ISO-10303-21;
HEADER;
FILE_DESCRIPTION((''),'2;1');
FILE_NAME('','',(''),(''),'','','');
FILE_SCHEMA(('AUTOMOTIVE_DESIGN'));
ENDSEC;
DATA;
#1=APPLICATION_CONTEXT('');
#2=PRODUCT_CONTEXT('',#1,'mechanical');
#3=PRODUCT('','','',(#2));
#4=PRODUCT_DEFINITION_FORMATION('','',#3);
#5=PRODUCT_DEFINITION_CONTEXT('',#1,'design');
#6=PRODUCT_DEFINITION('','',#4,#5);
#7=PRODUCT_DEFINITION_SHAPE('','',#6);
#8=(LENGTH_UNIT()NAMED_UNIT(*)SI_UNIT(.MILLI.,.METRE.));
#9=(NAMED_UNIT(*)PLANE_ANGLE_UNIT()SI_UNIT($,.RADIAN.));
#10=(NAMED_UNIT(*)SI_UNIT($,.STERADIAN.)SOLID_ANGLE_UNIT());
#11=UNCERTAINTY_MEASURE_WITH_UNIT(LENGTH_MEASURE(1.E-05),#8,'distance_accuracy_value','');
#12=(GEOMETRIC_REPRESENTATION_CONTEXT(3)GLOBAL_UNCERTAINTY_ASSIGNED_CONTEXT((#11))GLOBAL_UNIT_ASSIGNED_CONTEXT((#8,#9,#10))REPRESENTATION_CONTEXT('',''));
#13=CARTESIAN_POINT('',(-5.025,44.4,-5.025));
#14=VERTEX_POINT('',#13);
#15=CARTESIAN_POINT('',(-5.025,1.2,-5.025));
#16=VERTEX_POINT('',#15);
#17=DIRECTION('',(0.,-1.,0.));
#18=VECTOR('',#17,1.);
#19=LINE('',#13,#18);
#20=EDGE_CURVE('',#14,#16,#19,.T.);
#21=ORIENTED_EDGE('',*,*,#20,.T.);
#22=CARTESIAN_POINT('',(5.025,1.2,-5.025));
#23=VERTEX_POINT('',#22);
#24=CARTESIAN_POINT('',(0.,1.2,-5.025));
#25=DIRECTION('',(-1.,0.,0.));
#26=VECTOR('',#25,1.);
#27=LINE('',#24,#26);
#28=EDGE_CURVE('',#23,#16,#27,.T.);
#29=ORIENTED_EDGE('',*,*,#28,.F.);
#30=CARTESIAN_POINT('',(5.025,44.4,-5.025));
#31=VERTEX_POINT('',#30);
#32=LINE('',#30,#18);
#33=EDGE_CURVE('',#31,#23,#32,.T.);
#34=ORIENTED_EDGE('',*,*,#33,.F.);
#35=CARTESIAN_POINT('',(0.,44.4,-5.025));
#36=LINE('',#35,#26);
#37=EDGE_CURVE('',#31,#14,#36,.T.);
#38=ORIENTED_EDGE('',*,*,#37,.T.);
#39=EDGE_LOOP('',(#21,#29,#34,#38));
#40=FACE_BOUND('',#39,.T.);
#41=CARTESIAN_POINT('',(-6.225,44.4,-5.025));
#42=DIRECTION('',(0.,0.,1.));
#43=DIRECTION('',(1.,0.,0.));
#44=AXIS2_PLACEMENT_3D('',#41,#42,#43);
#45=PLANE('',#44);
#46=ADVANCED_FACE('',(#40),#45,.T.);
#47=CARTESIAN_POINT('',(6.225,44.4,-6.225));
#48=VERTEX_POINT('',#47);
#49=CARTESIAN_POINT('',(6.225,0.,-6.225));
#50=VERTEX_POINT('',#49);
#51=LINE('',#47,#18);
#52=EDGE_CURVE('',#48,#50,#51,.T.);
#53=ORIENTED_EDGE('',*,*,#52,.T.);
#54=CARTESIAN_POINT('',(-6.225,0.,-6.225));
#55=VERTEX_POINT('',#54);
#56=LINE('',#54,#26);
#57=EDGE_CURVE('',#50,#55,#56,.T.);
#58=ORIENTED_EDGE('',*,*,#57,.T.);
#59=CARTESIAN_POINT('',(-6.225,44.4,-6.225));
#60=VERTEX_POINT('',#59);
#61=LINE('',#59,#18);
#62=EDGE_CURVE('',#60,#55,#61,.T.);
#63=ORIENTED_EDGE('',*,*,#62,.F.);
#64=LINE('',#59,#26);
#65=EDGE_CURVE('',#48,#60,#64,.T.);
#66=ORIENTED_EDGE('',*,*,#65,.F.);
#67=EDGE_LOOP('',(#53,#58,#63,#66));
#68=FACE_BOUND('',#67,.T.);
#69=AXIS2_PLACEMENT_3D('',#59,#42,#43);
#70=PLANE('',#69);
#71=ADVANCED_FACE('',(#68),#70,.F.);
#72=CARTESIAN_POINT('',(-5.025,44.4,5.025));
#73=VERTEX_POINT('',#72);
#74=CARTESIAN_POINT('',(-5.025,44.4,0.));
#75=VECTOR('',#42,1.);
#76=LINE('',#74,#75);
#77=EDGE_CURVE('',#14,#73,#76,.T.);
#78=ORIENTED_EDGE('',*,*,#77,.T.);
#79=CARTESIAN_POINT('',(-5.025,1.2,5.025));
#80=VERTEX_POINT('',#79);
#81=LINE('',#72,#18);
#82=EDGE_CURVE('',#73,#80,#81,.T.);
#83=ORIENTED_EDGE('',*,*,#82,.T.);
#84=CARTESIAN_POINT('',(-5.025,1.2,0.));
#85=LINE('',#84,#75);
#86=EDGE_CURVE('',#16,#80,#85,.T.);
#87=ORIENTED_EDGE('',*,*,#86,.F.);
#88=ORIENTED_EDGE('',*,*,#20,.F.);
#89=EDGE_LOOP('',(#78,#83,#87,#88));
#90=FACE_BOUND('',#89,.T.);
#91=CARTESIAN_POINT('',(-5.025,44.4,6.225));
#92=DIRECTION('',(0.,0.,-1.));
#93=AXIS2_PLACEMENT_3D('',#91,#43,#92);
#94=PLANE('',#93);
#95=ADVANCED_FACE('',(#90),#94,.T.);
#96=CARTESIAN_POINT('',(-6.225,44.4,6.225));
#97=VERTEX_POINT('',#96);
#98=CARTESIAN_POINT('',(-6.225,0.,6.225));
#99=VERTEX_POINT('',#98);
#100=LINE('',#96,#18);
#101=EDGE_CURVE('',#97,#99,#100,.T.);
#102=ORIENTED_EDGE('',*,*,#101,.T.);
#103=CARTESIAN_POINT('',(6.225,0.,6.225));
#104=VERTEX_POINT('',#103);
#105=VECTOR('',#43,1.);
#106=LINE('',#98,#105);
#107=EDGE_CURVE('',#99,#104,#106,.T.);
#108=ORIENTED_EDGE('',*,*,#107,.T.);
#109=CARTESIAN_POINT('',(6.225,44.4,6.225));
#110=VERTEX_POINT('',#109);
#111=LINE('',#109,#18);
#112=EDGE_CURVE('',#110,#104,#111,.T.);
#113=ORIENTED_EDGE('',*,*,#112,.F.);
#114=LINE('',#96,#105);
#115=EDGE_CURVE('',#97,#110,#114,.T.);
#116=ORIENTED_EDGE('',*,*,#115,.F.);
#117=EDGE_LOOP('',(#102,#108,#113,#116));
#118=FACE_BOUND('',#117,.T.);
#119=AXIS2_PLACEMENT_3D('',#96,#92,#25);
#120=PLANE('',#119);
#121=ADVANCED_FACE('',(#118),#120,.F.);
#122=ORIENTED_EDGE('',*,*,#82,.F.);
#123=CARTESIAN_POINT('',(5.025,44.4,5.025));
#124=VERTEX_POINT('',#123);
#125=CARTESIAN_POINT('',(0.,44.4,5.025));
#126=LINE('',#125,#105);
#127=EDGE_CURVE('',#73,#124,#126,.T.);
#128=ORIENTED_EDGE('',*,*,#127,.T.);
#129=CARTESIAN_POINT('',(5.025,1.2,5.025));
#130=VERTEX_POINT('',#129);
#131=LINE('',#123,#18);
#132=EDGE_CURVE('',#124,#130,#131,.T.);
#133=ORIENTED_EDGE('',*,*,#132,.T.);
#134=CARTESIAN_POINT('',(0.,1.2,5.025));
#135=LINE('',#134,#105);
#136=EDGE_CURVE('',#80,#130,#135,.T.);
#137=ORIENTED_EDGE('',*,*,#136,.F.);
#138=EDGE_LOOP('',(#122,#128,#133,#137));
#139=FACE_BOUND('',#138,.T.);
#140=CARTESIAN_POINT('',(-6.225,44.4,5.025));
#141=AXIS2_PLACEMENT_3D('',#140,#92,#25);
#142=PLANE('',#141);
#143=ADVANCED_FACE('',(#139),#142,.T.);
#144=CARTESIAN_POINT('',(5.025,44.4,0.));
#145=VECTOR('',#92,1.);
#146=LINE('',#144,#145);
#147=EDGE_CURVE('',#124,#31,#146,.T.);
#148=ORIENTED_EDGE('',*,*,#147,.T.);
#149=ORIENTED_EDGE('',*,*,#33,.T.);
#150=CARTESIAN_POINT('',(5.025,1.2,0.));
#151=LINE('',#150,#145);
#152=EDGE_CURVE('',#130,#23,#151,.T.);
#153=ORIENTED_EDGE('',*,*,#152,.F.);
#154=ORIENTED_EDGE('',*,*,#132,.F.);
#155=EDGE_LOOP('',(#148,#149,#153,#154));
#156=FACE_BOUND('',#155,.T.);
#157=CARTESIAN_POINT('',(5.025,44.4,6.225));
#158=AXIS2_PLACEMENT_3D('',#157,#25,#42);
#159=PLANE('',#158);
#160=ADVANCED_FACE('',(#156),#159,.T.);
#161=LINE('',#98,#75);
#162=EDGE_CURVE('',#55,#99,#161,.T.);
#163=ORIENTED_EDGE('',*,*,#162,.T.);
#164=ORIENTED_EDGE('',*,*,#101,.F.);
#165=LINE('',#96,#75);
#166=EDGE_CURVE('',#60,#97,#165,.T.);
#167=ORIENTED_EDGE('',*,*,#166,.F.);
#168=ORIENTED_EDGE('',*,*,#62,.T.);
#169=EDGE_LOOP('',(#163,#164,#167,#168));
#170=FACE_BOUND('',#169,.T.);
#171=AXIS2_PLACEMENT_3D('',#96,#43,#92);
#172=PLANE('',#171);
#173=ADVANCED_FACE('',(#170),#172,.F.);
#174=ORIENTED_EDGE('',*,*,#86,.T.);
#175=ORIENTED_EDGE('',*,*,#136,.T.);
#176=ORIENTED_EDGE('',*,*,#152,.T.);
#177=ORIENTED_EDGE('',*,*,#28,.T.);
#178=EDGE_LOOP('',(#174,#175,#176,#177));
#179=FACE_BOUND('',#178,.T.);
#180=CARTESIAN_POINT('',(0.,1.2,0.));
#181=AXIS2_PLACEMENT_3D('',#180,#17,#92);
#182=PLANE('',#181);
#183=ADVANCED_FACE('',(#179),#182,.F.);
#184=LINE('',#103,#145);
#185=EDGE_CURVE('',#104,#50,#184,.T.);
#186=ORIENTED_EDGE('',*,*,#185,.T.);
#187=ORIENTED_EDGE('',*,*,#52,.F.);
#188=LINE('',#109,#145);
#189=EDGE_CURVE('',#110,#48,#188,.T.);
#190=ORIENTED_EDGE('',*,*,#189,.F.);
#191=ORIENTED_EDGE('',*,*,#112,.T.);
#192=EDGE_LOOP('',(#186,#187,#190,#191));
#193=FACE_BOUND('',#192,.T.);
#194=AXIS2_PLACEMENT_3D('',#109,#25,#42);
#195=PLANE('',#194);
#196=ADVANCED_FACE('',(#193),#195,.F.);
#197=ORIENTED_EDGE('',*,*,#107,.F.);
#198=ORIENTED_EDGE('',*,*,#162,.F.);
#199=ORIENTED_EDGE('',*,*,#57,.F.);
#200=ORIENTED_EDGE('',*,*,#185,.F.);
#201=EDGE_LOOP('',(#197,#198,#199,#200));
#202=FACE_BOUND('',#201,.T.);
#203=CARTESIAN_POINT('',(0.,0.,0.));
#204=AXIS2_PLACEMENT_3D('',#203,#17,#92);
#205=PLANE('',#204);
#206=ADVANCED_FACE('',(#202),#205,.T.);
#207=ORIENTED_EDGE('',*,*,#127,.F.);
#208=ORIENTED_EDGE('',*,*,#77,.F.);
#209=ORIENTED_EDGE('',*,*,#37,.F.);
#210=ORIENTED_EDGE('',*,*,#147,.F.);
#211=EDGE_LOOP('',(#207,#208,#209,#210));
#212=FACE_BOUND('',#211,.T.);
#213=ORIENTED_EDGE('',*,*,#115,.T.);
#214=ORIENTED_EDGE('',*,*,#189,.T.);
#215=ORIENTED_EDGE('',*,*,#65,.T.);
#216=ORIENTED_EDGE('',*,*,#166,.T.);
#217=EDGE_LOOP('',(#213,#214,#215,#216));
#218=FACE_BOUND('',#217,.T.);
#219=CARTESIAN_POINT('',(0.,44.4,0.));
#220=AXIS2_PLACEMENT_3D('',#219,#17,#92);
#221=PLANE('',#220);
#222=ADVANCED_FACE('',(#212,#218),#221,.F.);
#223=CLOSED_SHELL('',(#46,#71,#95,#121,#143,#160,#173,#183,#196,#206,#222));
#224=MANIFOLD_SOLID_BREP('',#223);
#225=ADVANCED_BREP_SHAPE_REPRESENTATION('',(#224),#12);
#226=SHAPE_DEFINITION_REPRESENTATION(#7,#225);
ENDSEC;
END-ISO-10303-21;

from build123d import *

# Parameters (mm, degrees)
SKETCH1_W           = 12.45
SKETCH1_H           = 12.45
BOSS_EXTRUDE1_DEPTH = 44.4
SHELL1_T            = -1.2


with BuildPart() as part:
    # Sketch1 → Boss-Extrude1 (new body)
    with BuildSketch(Plane(origin=(0, 0, 0), x_dir=(1, 0, 0), z_dir=(0, 1, 0))):
        Rectangle(SKETCH1_W, SKETCH1_H)
    extrude(amount=BOSS_EXTRUDE1_DEPTH)

    # Shell1
    shell1_openings = [part.faces().sort_by_distance(p)[0] for p in [
        (0, 44.4, 0),
    ]]
    offset(amount=SHELL1_T, openings=shell1_openings, kind=Kind.INTERSECTION)


solid = part.part
